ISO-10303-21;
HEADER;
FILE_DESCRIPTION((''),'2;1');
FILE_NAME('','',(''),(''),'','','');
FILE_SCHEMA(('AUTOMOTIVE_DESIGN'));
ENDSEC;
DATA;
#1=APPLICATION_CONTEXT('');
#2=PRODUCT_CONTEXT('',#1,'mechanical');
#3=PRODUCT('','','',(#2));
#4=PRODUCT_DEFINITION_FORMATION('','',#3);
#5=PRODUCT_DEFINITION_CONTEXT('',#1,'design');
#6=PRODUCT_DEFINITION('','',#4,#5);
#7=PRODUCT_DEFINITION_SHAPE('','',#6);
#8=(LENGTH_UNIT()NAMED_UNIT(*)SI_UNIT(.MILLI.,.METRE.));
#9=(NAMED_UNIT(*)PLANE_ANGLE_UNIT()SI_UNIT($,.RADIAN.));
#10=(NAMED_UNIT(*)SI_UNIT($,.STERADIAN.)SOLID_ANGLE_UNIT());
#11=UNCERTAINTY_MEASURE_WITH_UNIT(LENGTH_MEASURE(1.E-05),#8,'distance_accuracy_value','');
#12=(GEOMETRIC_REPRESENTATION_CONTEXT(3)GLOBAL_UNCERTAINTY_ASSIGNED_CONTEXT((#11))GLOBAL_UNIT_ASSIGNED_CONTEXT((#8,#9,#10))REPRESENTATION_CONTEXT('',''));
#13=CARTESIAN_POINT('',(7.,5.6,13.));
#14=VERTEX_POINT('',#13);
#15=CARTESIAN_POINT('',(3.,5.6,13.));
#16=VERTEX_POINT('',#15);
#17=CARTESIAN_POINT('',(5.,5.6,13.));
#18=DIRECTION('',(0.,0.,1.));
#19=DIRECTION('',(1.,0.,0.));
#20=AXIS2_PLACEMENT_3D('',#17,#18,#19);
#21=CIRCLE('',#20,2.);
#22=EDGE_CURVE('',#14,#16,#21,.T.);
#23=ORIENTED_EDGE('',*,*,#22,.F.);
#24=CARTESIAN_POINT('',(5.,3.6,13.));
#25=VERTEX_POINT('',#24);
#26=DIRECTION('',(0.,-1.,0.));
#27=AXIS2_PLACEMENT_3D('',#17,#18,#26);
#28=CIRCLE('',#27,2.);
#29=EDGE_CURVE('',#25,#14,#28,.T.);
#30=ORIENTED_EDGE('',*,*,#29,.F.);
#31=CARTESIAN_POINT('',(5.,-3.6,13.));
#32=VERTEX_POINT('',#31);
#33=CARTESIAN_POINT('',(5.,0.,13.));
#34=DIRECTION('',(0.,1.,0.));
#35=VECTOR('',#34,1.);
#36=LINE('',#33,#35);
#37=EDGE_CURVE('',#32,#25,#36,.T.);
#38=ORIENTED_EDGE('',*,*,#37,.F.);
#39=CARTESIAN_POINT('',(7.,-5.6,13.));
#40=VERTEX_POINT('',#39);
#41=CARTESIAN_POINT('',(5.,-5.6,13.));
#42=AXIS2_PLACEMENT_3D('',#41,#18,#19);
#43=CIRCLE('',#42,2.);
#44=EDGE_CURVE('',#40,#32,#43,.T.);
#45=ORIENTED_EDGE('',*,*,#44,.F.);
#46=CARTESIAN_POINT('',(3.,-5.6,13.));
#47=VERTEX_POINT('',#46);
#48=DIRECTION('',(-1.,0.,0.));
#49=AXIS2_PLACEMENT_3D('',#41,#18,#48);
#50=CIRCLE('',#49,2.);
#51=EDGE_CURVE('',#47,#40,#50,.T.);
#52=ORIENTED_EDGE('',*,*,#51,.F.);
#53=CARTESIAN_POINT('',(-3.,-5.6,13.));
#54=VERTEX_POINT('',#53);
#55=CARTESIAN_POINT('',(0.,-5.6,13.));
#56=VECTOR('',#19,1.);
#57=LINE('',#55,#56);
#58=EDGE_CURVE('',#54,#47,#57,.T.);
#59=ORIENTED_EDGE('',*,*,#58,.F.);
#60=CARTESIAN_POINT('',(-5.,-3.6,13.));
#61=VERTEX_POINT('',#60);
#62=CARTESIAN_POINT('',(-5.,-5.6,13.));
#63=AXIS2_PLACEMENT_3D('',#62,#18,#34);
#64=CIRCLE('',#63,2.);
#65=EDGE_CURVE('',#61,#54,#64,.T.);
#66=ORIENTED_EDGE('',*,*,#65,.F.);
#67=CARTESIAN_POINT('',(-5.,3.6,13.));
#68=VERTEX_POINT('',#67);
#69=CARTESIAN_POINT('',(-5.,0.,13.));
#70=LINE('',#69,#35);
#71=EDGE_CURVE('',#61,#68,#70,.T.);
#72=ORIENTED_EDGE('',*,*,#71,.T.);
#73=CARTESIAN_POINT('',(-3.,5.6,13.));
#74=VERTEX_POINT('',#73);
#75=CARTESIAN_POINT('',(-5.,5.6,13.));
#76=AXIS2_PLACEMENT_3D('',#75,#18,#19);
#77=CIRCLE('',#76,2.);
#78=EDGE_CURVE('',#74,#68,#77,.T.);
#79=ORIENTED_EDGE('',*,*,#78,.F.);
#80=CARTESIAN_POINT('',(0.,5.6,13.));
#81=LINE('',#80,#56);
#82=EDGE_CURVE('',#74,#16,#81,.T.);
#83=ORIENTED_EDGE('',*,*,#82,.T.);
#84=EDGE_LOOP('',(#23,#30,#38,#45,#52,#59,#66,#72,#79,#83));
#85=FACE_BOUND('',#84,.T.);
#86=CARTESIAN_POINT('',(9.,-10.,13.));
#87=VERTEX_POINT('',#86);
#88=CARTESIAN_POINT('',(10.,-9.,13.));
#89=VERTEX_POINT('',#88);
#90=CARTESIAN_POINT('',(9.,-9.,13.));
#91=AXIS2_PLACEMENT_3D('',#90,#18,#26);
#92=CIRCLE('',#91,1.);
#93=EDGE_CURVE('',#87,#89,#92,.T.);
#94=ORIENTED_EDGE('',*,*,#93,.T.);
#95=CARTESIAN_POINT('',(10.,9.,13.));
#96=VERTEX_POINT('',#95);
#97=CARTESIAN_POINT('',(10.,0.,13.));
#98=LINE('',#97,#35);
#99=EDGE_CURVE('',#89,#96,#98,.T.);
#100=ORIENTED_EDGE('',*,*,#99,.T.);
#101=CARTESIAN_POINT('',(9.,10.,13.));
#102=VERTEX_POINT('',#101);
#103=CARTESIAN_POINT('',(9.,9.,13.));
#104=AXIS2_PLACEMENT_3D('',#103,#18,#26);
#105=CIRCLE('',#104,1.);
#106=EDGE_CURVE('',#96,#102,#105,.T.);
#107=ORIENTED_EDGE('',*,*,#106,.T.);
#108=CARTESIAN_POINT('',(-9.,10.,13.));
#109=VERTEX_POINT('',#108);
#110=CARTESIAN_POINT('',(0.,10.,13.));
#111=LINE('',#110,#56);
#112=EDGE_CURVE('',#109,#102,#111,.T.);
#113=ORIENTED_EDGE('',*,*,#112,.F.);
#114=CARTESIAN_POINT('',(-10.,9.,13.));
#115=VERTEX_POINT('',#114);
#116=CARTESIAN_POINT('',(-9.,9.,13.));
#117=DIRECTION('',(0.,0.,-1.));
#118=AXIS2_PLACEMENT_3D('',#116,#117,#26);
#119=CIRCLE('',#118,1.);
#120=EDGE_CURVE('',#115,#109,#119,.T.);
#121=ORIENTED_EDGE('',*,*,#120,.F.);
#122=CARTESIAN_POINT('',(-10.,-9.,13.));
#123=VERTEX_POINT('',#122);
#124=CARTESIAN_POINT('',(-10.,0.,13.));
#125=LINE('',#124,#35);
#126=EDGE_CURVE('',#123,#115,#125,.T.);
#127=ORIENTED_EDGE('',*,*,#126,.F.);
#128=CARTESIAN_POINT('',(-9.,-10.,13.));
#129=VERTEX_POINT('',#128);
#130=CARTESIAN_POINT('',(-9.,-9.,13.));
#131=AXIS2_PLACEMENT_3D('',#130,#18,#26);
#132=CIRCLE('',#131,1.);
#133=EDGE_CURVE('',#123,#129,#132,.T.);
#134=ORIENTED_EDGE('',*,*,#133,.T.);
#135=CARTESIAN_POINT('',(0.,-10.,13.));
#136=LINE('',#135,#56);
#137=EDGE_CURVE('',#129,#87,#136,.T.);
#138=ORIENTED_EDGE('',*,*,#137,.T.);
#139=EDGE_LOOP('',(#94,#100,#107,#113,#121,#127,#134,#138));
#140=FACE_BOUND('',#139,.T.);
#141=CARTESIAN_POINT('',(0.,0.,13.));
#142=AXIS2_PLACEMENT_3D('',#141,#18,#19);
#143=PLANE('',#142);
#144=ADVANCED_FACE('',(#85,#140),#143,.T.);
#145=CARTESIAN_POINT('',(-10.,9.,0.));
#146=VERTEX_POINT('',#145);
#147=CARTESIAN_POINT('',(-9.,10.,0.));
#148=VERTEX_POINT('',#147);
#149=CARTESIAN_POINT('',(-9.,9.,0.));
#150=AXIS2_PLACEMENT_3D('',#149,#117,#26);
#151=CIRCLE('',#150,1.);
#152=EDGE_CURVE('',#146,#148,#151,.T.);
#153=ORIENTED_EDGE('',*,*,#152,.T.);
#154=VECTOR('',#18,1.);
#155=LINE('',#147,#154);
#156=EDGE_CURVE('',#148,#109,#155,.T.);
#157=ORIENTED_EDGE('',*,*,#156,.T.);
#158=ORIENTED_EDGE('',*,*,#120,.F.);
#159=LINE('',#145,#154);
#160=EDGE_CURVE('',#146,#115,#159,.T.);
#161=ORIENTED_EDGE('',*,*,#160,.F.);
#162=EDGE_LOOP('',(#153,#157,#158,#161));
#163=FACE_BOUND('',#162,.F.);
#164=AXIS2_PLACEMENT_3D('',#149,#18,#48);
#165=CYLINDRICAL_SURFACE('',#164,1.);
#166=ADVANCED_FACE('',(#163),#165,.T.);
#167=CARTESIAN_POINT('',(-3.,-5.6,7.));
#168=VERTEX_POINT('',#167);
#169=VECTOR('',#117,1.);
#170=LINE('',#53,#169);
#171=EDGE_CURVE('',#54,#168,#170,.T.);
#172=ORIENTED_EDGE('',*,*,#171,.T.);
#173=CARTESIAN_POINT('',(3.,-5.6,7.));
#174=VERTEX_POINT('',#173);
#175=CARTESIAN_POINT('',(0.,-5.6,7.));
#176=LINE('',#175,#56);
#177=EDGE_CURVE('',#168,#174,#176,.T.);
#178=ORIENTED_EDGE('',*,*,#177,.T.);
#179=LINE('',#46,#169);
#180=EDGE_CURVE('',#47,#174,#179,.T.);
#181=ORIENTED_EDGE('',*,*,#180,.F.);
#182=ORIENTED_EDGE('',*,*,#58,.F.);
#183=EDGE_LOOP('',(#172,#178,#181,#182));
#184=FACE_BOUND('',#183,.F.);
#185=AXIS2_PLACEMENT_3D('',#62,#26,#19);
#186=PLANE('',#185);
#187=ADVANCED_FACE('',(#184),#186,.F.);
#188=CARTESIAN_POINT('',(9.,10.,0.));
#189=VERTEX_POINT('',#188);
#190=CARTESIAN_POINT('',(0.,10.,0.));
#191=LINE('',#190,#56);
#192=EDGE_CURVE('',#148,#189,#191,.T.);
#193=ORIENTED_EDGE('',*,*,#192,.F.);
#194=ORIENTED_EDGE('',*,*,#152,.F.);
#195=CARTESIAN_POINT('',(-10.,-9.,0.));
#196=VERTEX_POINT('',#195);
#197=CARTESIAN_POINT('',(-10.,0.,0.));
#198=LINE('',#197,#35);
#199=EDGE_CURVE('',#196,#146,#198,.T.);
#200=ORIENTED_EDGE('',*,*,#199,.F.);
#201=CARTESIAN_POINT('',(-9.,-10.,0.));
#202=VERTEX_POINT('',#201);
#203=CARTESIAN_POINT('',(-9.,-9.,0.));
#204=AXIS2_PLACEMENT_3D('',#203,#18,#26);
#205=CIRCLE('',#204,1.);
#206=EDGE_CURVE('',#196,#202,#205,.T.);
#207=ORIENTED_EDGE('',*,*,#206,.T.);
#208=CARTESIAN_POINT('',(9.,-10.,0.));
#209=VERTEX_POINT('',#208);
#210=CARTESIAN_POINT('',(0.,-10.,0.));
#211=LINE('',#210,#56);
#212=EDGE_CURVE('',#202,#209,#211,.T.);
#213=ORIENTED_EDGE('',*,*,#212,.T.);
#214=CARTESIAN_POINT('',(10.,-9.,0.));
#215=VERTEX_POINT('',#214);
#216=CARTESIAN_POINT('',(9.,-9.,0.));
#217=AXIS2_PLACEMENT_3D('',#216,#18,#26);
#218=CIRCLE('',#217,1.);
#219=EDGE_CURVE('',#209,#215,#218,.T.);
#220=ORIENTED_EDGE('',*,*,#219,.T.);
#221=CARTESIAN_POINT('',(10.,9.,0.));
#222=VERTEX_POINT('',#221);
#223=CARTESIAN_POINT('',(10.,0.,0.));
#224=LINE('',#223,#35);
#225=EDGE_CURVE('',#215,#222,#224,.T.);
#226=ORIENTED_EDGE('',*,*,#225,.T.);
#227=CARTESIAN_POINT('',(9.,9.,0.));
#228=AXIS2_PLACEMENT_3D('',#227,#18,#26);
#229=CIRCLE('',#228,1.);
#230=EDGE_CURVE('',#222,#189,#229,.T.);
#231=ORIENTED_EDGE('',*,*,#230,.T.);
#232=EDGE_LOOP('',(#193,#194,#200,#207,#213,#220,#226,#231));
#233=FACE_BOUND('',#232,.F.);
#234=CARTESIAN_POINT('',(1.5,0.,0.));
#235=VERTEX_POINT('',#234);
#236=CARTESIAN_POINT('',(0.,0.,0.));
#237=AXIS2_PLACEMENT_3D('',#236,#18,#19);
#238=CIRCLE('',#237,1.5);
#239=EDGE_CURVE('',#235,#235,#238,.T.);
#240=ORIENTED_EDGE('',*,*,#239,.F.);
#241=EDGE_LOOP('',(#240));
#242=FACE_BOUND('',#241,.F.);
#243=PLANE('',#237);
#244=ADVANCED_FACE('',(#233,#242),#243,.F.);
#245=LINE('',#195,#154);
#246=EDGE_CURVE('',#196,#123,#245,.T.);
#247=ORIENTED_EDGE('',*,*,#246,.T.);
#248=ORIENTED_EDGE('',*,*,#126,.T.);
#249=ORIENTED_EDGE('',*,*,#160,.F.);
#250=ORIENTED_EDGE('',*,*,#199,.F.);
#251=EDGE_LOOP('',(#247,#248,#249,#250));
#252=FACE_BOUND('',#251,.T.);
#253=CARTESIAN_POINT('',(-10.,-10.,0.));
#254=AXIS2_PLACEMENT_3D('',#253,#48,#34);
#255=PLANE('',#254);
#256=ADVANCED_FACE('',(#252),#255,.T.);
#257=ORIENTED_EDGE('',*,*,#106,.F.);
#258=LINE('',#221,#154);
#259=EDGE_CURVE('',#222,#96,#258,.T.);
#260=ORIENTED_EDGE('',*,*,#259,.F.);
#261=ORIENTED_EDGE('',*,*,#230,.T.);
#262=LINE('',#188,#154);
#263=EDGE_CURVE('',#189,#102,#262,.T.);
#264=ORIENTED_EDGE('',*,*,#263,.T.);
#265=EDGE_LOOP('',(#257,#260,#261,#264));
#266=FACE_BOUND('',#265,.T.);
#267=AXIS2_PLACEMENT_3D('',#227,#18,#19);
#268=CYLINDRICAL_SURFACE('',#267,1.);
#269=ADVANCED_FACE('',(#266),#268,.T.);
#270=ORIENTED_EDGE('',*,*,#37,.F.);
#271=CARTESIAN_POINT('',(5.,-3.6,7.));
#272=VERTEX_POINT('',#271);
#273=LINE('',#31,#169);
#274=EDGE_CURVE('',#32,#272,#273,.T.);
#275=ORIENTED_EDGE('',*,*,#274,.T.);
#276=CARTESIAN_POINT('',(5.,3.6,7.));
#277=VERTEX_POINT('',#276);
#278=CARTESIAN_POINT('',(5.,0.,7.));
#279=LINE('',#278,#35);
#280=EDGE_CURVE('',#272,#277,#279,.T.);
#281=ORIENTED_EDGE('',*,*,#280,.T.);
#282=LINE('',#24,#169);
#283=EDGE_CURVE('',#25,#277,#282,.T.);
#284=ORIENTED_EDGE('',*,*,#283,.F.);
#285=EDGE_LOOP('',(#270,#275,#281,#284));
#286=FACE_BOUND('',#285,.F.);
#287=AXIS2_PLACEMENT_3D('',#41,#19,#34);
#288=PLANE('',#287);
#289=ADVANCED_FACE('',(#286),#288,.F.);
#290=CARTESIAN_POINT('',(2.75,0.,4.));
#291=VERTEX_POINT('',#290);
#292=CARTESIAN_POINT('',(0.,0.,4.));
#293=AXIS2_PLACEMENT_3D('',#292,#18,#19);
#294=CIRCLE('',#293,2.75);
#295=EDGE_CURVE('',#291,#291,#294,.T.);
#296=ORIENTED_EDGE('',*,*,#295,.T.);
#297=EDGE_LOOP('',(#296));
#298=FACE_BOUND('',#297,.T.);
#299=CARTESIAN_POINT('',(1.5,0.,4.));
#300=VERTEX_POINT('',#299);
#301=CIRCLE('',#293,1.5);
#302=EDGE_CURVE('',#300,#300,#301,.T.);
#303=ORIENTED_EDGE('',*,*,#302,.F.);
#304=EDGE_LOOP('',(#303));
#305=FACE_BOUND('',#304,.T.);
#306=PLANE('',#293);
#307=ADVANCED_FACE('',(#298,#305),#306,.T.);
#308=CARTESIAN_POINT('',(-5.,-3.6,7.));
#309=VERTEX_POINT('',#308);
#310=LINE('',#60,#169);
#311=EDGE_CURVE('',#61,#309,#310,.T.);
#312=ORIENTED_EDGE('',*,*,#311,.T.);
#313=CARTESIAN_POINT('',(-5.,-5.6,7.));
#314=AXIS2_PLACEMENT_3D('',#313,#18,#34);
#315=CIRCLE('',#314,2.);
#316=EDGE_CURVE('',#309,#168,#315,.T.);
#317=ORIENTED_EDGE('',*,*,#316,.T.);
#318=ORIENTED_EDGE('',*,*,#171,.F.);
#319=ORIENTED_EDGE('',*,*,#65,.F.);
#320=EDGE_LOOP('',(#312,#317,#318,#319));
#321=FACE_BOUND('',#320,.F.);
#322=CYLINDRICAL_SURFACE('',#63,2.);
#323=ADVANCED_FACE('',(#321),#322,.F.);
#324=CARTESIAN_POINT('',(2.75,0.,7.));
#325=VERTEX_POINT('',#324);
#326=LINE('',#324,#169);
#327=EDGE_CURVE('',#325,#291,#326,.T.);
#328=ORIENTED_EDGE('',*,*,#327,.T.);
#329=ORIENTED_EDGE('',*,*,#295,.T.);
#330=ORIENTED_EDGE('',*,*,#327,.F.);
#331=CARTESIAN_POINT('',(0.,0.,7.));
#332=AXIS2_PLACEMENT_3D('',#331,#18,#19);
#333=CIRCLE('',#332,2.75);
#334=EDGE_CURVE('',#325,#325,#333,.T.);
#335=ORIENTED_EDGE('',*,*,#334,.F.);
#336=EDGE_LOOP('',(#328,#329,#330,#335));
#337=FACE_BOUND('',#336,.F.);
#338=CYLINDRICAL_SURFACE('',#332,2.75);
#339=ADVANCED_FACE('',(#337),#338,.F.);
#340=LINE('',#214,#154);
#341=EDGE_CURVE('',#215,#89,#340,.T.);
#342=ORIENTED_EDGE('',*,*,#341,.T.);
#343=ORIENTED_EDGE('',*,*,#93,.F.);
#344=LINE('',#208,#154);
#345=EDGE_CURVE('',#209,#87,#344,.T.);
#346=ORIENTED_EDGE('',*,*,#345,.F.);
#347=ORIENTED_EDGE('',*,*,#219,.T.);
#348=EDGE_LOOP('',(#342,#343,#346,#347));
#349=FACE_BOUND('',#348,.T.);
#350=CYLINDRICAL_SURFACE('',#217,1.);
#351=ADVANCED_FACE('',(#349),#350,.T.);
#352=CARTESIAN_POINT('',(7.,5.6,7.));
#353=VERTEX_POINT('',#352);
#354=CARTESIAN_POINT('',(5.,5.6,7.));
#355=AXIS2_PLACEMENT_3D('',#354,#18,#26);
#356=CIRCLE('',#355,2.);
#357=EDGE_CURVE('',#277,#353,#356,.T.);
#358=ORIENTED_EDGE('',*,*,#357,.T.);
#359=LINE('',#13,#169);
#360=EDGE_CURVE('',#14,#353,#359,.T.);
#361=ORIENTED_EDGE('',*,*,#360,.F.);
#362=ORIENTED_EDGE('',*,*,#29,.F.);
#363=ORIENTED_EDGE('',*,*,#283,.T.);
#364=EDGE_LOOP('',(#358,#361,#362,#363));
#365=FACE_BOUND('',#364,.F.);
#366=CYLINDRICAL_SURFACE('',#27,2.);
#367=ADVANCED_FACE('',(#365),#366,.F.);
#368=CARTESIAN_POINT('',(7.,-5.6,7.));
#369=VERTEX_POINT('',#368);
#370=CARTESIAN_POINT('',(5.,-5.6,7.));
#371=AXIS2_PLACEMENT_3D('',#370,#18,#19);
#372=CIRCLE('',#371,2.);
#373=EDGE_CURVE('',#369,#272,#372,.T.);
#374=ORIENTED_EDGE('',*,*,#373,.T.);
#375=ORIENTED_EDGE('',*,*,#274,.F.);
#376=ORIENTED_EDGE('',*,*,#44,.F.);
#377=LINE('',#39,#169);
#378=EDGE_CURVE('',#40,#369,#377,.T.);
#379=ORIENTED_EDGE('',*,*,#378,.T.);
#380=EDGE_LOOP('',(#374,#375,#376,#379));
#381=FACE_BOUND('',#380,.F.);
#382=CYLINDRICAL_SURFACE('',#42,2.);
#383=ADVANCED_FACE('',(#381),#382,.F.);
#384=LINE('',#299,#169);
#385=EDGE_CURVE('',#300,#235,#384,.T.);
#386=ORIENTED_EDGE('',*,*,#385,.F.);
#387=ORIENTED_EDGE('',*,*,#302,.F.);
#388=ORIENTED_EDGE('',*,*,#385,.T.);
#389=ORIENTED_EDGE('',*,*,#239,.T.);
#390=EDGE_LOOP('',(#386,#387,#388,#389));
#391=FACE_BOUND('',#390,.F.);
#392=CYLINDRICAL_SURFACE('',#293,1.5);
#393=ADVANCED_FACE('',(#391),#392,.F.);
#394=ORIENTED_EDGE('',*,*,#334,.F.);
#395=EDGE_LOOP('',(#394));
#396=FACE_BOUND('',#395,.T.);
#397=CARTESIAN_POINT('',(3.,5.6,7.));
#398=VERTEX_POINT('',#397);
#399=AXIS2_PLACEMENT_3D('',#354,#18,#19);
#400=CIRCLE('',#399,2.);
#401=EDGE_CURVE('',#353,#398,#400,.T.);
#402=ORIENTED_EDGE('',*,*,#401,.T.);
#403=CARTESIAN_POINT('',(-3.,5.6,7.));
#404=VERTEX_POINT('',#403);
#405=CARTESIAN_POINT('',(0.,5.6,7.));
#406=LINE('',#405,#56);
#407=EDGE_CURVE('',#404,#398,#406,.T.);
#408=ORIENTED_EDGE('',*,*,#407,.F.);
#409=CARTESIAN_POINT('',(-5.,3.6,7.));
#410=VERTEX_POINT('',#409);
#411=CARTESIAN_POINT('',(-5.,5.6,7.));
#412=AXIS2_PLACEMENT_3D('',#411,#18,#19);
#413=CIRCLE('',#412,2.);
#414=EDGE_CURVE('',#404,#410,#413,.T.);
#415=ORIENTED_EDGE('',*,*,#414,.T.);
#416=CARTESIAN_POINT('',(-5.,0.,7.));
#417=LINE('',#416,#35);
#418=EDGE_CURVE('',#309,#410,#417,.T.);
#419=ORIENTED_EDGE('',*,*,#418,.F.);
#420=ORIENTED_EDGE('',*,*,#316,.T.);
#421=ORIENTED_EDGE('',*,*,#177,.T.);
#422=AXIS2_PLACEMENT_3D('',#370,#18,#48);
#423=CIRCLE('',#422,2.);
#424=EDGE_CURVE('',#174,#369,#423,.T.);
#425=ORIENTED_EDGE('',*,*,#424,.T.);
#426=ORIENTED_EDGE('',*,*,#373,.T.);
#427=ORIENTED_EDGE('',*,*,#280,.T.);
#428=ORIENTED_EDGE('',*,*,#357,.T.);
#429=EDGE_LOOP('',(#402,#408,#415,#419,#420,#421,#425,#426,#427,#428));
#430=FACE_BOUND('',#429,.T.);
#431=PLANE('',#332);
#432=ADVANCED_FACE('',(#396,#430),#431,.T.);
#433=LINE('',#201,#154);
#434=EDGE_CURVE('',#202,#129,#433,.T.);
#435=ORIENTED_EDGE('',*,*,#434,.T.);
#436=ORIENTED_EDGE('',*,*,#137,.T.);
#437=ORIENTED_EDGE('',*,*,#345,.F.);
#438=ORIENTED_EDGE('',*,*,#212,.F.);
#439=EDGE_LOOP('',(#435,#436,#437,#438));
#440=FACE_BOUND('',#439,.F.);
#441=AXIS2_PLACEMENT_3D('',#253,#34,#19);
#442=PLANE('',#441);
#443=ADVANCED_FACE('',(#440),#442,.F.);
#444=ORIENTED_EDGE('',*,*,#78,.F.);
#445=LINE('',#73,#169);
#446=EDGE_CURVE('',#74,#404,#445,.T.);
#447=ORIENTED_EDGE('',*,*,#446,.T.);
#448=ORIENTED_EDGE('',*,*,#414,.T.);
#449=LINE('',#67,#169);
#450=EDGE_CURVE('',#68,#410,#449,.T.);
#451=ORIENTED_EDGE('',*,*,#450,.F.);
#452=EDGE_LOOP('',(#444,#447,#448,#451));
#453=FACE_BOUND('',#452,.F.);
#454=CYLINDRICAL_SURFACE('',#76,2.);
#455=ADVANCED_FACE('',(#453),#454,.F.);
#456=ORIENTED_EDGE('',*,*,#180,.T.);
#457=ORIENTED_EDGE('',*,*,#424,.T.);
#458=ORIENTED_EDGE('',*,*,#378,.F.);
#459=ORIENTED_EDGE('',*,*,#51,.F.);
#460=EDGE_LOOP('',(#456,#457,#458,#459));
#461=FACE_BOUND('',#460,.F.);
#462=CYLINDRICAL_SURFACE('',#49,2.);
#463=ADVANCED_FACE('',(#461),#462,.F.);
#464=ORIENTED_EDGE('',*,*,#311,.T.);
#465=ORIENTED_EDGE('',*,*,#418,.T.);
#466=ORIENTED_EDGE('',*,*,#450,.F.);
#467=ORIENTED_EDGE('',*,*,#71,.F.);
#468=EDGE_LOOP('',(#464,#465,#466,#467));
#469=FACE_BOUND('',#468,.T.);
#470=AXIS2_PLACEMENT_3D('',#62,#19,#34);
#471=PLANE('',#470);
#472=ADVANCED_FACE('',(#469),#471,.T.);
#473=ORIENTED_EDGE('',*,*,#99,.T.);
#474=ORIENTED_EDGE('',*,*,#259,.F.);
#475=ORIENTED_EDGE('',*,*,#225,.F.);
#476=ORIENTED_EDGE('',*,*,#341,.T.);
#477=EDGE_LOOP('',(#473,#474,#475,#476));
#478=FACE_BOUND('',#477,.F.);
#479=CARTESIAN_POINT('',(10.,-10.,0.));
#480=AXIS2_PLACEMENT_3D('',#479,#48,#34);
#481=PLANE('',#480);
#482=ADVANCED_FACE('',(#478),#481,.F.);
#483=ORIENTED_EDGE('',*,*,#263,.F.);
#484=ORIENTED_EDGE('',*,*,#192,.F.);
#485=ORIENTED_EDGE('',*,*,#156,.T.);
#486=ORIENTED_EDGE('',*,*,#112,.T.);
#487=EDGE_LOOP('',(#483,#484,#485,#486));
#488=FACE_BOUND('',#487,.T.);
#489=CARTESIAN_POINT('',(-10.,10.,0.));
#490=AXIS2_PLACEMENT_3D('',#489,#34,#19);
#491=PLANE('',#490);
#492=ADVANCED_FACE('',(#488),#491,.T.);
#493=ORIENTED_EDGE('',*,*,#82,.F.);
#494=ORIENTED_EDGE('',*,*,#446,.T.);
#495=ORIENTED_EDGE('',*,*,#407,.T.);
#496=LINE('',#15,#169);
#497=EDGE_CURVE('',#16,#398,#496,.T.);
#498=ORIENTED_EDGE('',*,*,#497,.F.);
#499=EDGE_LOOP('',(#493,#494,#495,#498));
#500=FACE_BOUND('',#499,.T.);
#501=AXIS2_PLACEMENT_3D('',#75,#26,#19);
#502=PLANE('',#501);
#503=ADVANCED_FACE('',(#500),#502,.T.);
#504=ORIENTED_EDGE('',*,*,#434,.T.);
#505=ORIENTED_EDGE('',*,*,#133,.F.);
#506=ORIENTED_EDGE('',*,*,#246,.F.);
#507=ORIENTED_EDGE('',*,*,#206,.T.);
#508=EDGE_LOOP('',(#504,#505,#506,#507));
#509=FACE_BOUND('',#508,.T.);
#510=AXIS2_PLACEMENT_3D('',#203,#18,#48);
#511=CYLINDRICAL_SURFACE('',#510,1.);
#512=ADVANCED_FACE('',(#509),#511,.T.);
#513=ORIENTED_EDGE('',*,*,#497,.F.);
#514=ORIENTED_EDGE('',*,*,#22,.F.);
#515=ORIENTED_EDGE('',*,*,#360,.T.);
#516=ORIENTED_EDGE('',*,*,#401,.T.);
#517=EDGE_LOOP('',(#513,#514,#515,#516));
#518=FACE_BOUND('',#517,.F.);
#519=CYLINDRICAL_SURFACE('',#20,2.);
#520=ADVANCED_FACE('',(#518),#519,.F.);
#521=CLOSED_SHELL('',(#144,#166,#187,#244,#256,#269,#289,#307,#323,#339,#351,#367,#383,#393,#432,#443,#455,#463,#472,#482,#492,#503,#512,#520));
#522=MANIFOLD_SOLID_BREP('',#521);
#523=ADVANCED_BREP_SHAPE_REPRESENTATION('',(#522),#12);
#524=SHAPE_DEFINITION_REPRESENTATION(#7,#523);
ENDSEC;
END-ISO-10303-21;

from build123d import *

# Parameters (mm, degrees)
F0_W      = 20
F0_H      = 20
F1_DEPTH  = 13
F2_R      = 1
F3_W      = 10
F3_H      = 11.2
F4_DEPTH  = 6
F5_R      = 2.75
F6_DEPTH  = 3
F8_DEPTH  = 6
F9_R      = 1.5
F10_DEPTH = 4.001


with BuildPart() as f1:
    # F0 (on Top) → F1 (new body)
    with BuildSketch(Plane.XY):
        Rectangle(F0_W, F0_H)
    extrude(amount=F1_DEPTH)

    # F2
    f2_edges = [f1.edges().sort_by_distance(p)[0] for p in [
        (10, -10, 6.5),
        (10, 10, 6.5),
        (-10, 10, 6.5),
        (-10, -10, 6.5),
    ]]
    fillet(f2_edges, radius=F2_R)

    # F3 (on face) → F4 (cut)
    with BuildSketch(Plane.XY.offset(13)):
        Rectangle(F3_W, F3_H)
    extrude(amount=-F4_DEPTH, mode=Mode.SUBTRACT)

    # F5 (on face) → F6 (cut)
    with BuildSketch(Plane.XY.offset(7)):
        Circle(F5_R)
    extrude(amount=-F6_DEPTH, mode=Mode.SUBTRACT)

    # F7 (on face) → F8 (cut)
    with BuildSketch(Plane.XY.offset(13)):
        with BuildLine():
            ThreePointArc((7, 5.6), (5, 7.6), (3, 5.6))
            Line((3, 5.6), (5, 5.6))
            Line((5, 5.6), (5, 3.6))
            ThreePointArc((5, 3.6), (6.4142135624, 4.1857864376), (7, 5.6))
        make_face()
        with BuildLine():
            Line((-5, -5.6), (-5, -3.6))
            ThreePointArc((-5, -3.6), (-6.4142135624, -7.0142135624), (-3, -5.6))
            Line((-3, -5.6), (-5, -5.6))
        make_face()
        with BuildLine():
            ThreePointArc((7, -5.6), (6.4142135624, -4.1857864376), (5, -3.6))
            Line((5, -3.6), (5, -5.6))
            Line((5, -5.6), (3, -5.6))
            ThreePointArc((3, -5.6), (5, -7.6), (7, -5.6))
        make_face()
        with BuildLine():
            Line((-5, 5.6), (-3, 5.6))
            ThreePointArc((-3, 5.6), (-6.4142135624, 7.0142135624), (-5, 3.6))
            Line((-5, 3.6), (-5, 5.6))
        make_face()
    extrude(amount=-F8_DEPTH, mode=Mode.SUBTRACT)

    # F9 (on face) → F10 (cut, through all)
    with BuildSketch(Plane.XY.offset(4)):
        Circle(F9_R)
    extrude(amount=-F10_DEPTH, mode=Mode.SUBTRACT)


solid = f1.part
